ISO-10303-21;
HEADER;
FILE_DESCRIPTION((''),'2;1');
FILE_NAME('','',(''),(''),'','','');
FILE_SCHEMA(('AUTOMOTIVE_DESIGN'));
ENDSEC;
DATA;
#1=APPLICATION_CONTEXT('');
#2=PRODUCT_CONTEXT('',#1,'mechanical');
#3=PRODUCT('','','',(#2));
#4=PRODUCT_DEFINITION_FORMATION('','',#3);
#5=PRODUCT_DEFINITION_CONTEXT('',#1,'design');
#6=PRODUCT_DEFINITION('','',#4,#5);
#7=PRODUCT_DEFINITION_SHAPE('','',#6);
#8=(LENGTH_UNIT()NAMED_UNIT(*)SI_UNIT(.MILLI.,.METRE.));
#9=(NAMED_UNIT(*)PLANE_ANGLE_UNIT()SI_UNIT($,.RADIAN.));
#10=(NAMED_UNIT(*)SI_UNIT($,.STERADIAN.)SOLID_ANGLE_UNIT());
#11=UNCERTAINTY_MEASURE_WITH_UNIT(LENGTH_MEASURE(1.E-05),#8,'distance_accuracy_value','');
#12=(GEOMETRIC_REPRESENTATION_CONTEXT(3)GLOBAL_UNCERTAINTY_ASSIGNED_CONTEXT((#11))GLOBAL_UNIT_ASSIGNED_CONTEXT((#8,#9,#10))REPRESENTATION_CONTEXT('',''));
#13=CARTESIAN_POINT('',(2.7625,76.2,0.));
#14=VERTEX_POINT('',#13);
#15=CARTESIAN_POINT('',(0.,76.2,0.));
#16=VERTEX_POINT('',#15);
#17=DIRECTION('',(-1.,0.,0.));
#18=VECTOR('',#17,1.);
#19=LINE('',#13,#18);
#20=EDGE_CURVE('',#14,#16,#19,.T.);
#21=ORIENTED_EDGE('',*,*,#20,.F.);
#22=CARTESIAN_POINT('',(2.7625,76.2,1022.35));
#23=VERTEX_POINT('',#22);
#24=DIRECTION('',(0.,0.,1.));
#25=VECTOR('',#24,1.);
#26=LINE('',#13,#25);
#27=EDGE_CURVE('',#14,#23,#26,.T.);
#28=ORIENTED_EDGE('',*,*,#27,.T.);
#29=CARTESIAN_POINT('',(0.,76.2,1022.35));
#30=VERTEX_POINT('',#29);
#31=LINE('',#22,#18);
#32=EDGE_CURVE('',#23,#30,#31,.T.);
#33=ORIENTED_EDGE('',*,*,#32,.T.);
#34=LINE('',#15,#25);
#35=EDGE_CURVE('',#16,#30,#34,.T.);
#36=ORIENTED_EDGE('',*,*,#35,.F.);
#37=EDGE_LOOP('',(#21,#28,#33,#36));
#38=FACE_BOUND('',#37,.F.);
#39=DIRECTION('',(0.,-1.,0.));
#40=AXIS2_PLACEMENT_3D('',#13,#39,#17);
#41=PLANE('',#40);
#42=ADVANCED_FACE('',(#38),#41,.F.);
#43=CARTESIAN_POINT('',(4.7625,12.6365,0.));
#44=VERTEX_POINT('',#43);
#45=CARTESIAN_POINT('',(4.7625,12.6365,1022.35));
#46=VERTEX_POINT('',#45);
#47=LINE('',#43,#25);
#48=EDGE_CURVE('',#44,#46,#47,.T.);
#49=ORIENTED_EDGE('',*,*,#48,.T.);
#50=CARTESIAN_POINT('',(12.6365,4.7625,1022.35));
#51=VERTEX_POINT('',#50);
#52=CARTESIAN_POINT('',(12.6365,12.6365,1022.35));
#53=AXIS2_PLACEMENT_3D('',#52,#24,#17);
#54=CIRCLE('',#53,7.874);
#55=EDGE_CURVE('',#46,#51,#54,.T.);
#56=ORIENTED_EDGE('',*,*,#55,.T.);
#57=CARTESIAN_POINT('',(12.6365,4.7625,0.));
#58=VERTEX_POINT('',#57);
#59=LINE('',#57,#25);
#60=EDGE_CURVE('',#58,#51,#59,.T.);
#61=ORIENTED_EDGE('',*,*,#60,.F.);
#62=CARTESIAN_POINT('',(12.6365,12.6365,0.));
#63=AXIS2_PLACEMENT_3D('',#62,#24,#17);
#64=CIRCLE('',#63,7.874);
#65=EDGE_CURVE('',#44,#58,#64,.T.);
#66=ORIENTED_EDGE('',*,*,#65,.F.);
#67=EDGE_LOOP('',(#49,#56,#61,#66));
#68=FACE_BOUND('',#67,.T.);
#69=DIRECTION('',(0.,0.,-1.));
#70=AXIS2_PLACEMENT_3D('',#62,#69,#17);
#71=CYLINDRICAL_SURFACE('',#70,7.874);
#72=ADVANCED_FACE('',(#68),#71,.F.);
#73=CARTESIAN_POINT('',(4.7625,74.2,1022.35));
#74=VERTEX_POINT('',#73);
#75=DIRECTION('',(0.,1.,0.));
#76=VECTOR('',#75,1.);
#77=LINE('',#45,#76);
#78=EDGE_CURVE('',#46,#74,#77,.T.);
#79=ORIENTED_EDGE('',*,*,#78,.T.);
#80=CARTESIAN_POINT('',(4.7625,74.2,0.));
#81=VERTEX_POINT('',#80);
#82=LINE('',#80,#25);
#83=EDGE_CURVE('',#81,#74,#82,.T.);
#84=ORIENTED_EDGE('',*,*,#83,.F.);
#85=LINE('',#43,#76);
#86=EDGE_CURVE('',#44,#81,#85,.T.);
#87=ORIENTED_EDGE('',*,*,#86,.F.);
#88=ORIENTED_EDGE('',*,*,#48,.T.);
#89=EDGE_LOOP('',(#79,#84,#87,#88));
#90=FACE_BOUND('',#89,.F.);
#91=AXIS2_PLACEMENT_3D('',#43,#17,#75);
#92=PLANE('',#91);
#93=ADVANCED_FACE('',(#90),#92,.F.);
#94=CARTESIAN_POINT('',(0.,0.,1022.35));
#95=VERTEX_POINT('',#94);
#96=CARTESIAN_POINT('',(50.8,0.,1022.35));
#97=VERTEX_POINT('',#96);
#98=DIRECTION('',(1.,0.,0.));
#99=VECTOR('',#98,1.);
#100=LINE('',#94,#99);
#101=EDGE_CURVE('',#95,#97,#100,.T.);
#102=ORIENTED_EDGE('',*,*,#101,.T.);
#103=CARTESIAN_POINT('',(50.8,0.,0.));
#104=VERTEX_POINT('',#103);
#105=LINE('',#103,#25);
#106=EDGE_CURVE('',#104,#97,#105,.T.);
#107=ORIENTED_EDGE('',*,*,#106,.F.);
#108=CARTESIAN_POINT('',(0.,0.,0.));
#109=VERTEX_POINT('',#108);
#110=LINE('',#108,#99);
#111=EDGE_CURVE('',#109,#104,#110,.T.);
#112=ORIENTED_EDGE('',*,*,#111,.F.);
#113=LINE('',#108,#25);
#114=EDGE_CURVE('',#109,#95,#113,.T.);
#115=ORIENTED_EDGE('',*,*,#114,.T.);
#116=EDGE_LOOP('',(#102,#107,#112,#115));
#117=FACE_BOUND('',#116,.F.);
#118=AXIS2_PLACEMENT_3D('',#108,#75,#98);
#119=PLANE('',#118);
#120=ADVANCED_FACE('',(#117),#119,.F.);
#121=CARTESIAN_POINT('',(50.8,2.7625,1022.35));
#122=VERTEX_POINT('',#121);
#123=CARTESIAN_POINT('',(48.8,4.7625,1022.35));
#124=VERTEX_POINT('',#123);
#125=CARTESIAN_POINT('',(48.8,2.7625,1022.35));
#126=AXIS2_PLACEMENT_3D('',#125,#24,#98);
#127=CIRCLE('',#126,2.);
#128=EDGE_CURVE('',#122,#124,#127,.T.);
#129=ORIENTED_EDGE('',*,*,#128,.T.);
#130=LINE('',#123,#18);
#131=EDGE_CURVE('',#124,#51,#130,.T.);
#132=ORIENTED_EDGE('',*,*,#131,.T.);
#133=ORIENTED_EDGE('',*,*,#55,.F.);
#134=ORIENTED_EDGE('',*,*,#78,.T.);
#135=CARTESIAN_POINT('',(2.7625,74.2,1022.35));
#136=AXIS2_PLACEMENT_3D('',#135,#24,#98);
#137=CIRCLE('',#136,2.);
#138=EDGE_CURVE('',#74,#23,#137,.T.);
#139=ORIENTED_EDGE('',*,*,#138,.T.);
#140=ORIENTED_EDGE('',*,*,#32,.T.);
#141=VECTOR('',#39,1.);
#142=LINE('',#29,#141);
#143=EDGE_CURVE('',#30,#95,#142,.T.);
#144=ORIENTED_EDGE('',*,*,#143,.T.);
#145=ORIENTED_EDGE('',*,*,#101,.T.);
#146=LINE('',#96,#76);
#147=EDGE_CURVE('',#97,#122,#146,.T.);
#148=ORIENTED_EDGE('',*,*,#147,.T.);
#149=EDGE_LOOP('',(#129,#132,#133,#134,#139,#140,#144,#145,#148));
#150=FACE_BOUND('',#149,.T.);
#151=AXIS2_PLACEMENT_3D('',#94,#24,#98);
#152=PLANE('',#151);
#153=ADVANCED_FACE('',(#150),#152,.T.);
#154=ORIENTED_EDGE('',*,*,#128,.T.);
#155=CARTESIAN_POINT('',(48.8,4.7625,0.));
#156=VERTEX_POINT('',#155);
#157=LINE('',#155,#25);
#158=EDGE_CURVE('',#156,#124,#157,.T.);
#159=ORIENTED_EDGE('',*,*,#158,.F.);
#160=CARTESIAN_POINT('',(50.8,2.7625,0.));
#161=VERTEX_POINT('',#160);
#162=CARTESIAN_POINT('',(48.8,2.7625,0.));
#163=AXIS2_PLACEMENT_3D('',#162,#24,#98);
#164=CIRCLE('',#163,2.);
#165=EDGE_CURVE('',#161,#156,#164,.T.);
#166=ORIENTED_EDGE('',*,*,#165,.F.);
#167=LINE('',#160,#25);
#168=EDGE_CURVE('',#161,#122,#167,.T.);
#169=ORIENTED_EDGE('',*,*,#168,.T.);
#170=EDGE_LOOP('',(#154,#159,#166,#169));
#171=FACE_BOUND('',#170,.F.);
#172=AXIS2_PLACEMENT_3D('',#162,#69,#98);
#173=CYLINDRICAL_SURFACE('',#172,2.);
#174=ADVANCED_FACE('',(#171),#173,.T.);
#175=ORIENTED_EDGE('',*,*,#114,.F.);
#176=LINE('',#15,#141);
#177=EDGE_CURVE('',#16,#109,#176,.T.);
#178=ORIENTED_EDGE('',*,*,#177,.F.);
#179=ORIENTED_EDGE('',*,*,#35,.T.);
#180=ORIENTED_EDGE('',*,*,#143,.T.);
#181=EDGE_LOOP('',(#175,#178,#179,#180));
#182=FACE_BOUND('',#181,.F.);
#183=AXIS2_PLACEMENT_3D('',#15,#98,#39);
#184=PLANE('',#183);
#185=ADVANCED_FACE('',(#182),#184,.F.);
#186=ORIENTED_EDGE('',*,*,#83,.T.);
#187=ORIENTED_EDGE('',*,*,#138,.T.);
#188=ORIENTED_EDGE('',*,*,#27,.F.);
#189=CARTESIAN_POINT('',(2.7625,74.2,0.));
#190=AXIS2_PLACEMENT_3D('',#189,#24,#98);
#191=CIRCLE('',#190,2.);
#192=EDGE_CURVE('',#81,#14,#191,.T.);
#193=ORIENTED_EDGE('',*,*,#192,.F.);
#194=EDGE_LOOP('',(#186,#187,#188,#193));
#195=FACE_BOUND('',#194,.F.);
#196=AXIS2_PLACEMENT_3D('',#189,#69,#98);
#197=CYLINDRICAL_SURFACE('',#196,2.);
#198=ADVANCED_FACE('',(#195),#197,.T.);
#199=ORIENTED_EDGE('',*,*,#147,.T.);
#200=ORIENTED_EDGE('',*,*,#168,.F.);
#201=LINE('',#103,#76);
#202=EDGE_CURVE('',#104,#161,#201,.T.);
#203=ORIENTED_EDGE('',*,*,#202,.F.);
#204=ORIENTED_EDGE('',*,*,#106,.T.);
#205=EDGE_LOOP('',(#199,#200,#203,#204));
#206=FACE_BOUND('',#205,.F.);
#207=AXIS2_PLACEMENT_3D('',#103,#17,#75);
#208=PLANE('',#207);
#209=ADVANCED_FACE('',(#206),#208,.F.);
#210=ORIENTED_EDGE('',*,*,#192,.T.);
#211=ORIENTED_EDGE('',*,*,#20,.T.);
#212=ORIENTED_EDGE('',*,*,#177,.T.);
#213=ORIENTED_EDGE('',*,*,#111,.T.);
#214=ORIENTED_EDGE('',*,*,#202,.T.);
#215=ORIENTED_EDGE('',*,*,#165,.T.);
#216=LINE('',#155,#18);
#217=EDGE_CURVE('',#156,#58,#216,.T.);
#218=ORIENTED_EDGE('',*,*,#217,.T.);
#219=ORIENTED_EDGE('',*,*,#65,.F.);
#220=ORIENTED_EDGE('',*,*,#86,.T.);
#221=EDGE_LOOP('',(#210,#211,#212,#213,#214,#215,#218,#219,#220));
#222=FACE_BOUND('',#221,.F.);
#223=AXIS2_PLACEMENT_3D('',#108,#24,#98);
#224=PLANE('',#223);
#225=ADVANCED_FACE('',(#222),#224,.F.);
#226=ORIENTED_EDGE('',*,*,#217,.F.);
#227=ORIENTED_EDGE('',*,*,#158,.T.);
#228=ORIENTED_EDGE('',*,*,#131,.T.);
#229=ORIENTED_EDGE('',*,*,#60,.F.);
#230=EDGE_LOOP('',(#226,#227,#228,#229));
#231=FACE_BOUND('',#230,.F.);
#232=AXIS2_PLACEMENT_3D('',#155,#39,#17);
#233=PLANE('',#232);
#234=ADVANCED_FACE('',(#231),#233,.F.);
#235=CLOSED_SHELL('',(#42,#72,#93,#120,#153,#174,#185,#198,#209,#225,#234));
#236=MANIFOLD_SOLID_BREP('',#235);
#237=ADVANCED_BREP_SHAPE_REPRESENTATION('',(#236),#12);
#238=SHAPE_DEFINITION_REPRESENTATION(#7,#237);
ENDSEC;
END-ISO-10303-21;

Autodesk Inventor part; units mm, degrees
ref_plane "YZ Plane" through (0, 0, 0) normal (1, 0, 0) x (0, 1, 0)
ref_plane "Start plane" through (0, 0, 0) normal (0, 0, 1) x (1, 0, 0)
ref_plane "End plane" through (0, 0, 1022.35) normal (0, 0, 1) x (1, 0, 0)
sketch "Sketch" plane through (0, 0, 0) normal (0, 0, 1) x (1, 0, 0)
  line L0 (0, 76.2) -> (0, 0)
  line L1 (0, 0) -> (50.8, 0)
  line L2 (50.8, 0) -> (50.8, 2.7625)
  line L3 (48.8, 4.7625) -> (12.6365, 4.7625)
  line L4 (4.7625, 12.6365) -> (4.7625, 74.2)
  line L5 (2.7625, 76.2) -> (0, 76.2)
  line L6 (-7.0414, 0) -> (21.5385, 0) construction
  line L7 (0, -8.0414) -> (0, 34.5385) construction
  arc A0 (4.7625, 12.6365) -> (12.6365, 4.7625) centre (12.6365, 12.6365) ccw
  arc A1 (50.8, 2.7625) -> (48.8, 4.7625) centre (48.8, 2.7625) ccw
  arc A2 (4.7625, 74.2) -> (2.7625, 76.2) centre (2.7625, 74.2) ccw
  line L8 (0, 93.5453) -> (0, -24.9725) construction
  line L9 (-18.6925, 0) -> (62.8653, 0) construction
  point P0 (50.8, 4.7625)
  point P1 (4.7625, 4.7625)
  point P2 (4.7625, 76.2)
  dimension "d12" = 4.7625
  dimension "d13" = 76.2
  dimension "d14" = 50.8
  dimension "d15" = 0
  dimension "d16" = 4.7625
  dimension "d17" = 0
  dimension "d18" = 7.874
  dimension "d19" = 2
extrude "Body" add sketch "Sketch" along normal up to surface (1022.35 mm away) from surface at 0
equation "\"d12\" = G_T"
equation "\"d13\" = G_H"
equation "\"d14\" = G_W"
equation "\"d16\" = G_T"
equation "\"d18\" = G_IR"
equation "\"d4\" = G_L"
equation "\"G_W\" = 50.8"
equation "\"G_H\" = 76.2"
equation "\"G_T\" = 4.7625"
equation "\"G_ER\" = 4.064"
equation "\"G_IR\" = 7.874"
equation "\"G_L\" = B_L + G_OFFSET_START + G_OFFSET_END"
equation "\"ex\" = 0"
equation "\"ey\" = 0"
equation "\"G_OFFSET_START\" = 0"
equation "\"G_OFFSET_END\" = 0"
equation "\"d21\" = G_OFFSET_END + B_L"
equation "\"B_L\" = 1022.35"
properties part number "ANSI L 3 x 2 x 3_16 00000005"
